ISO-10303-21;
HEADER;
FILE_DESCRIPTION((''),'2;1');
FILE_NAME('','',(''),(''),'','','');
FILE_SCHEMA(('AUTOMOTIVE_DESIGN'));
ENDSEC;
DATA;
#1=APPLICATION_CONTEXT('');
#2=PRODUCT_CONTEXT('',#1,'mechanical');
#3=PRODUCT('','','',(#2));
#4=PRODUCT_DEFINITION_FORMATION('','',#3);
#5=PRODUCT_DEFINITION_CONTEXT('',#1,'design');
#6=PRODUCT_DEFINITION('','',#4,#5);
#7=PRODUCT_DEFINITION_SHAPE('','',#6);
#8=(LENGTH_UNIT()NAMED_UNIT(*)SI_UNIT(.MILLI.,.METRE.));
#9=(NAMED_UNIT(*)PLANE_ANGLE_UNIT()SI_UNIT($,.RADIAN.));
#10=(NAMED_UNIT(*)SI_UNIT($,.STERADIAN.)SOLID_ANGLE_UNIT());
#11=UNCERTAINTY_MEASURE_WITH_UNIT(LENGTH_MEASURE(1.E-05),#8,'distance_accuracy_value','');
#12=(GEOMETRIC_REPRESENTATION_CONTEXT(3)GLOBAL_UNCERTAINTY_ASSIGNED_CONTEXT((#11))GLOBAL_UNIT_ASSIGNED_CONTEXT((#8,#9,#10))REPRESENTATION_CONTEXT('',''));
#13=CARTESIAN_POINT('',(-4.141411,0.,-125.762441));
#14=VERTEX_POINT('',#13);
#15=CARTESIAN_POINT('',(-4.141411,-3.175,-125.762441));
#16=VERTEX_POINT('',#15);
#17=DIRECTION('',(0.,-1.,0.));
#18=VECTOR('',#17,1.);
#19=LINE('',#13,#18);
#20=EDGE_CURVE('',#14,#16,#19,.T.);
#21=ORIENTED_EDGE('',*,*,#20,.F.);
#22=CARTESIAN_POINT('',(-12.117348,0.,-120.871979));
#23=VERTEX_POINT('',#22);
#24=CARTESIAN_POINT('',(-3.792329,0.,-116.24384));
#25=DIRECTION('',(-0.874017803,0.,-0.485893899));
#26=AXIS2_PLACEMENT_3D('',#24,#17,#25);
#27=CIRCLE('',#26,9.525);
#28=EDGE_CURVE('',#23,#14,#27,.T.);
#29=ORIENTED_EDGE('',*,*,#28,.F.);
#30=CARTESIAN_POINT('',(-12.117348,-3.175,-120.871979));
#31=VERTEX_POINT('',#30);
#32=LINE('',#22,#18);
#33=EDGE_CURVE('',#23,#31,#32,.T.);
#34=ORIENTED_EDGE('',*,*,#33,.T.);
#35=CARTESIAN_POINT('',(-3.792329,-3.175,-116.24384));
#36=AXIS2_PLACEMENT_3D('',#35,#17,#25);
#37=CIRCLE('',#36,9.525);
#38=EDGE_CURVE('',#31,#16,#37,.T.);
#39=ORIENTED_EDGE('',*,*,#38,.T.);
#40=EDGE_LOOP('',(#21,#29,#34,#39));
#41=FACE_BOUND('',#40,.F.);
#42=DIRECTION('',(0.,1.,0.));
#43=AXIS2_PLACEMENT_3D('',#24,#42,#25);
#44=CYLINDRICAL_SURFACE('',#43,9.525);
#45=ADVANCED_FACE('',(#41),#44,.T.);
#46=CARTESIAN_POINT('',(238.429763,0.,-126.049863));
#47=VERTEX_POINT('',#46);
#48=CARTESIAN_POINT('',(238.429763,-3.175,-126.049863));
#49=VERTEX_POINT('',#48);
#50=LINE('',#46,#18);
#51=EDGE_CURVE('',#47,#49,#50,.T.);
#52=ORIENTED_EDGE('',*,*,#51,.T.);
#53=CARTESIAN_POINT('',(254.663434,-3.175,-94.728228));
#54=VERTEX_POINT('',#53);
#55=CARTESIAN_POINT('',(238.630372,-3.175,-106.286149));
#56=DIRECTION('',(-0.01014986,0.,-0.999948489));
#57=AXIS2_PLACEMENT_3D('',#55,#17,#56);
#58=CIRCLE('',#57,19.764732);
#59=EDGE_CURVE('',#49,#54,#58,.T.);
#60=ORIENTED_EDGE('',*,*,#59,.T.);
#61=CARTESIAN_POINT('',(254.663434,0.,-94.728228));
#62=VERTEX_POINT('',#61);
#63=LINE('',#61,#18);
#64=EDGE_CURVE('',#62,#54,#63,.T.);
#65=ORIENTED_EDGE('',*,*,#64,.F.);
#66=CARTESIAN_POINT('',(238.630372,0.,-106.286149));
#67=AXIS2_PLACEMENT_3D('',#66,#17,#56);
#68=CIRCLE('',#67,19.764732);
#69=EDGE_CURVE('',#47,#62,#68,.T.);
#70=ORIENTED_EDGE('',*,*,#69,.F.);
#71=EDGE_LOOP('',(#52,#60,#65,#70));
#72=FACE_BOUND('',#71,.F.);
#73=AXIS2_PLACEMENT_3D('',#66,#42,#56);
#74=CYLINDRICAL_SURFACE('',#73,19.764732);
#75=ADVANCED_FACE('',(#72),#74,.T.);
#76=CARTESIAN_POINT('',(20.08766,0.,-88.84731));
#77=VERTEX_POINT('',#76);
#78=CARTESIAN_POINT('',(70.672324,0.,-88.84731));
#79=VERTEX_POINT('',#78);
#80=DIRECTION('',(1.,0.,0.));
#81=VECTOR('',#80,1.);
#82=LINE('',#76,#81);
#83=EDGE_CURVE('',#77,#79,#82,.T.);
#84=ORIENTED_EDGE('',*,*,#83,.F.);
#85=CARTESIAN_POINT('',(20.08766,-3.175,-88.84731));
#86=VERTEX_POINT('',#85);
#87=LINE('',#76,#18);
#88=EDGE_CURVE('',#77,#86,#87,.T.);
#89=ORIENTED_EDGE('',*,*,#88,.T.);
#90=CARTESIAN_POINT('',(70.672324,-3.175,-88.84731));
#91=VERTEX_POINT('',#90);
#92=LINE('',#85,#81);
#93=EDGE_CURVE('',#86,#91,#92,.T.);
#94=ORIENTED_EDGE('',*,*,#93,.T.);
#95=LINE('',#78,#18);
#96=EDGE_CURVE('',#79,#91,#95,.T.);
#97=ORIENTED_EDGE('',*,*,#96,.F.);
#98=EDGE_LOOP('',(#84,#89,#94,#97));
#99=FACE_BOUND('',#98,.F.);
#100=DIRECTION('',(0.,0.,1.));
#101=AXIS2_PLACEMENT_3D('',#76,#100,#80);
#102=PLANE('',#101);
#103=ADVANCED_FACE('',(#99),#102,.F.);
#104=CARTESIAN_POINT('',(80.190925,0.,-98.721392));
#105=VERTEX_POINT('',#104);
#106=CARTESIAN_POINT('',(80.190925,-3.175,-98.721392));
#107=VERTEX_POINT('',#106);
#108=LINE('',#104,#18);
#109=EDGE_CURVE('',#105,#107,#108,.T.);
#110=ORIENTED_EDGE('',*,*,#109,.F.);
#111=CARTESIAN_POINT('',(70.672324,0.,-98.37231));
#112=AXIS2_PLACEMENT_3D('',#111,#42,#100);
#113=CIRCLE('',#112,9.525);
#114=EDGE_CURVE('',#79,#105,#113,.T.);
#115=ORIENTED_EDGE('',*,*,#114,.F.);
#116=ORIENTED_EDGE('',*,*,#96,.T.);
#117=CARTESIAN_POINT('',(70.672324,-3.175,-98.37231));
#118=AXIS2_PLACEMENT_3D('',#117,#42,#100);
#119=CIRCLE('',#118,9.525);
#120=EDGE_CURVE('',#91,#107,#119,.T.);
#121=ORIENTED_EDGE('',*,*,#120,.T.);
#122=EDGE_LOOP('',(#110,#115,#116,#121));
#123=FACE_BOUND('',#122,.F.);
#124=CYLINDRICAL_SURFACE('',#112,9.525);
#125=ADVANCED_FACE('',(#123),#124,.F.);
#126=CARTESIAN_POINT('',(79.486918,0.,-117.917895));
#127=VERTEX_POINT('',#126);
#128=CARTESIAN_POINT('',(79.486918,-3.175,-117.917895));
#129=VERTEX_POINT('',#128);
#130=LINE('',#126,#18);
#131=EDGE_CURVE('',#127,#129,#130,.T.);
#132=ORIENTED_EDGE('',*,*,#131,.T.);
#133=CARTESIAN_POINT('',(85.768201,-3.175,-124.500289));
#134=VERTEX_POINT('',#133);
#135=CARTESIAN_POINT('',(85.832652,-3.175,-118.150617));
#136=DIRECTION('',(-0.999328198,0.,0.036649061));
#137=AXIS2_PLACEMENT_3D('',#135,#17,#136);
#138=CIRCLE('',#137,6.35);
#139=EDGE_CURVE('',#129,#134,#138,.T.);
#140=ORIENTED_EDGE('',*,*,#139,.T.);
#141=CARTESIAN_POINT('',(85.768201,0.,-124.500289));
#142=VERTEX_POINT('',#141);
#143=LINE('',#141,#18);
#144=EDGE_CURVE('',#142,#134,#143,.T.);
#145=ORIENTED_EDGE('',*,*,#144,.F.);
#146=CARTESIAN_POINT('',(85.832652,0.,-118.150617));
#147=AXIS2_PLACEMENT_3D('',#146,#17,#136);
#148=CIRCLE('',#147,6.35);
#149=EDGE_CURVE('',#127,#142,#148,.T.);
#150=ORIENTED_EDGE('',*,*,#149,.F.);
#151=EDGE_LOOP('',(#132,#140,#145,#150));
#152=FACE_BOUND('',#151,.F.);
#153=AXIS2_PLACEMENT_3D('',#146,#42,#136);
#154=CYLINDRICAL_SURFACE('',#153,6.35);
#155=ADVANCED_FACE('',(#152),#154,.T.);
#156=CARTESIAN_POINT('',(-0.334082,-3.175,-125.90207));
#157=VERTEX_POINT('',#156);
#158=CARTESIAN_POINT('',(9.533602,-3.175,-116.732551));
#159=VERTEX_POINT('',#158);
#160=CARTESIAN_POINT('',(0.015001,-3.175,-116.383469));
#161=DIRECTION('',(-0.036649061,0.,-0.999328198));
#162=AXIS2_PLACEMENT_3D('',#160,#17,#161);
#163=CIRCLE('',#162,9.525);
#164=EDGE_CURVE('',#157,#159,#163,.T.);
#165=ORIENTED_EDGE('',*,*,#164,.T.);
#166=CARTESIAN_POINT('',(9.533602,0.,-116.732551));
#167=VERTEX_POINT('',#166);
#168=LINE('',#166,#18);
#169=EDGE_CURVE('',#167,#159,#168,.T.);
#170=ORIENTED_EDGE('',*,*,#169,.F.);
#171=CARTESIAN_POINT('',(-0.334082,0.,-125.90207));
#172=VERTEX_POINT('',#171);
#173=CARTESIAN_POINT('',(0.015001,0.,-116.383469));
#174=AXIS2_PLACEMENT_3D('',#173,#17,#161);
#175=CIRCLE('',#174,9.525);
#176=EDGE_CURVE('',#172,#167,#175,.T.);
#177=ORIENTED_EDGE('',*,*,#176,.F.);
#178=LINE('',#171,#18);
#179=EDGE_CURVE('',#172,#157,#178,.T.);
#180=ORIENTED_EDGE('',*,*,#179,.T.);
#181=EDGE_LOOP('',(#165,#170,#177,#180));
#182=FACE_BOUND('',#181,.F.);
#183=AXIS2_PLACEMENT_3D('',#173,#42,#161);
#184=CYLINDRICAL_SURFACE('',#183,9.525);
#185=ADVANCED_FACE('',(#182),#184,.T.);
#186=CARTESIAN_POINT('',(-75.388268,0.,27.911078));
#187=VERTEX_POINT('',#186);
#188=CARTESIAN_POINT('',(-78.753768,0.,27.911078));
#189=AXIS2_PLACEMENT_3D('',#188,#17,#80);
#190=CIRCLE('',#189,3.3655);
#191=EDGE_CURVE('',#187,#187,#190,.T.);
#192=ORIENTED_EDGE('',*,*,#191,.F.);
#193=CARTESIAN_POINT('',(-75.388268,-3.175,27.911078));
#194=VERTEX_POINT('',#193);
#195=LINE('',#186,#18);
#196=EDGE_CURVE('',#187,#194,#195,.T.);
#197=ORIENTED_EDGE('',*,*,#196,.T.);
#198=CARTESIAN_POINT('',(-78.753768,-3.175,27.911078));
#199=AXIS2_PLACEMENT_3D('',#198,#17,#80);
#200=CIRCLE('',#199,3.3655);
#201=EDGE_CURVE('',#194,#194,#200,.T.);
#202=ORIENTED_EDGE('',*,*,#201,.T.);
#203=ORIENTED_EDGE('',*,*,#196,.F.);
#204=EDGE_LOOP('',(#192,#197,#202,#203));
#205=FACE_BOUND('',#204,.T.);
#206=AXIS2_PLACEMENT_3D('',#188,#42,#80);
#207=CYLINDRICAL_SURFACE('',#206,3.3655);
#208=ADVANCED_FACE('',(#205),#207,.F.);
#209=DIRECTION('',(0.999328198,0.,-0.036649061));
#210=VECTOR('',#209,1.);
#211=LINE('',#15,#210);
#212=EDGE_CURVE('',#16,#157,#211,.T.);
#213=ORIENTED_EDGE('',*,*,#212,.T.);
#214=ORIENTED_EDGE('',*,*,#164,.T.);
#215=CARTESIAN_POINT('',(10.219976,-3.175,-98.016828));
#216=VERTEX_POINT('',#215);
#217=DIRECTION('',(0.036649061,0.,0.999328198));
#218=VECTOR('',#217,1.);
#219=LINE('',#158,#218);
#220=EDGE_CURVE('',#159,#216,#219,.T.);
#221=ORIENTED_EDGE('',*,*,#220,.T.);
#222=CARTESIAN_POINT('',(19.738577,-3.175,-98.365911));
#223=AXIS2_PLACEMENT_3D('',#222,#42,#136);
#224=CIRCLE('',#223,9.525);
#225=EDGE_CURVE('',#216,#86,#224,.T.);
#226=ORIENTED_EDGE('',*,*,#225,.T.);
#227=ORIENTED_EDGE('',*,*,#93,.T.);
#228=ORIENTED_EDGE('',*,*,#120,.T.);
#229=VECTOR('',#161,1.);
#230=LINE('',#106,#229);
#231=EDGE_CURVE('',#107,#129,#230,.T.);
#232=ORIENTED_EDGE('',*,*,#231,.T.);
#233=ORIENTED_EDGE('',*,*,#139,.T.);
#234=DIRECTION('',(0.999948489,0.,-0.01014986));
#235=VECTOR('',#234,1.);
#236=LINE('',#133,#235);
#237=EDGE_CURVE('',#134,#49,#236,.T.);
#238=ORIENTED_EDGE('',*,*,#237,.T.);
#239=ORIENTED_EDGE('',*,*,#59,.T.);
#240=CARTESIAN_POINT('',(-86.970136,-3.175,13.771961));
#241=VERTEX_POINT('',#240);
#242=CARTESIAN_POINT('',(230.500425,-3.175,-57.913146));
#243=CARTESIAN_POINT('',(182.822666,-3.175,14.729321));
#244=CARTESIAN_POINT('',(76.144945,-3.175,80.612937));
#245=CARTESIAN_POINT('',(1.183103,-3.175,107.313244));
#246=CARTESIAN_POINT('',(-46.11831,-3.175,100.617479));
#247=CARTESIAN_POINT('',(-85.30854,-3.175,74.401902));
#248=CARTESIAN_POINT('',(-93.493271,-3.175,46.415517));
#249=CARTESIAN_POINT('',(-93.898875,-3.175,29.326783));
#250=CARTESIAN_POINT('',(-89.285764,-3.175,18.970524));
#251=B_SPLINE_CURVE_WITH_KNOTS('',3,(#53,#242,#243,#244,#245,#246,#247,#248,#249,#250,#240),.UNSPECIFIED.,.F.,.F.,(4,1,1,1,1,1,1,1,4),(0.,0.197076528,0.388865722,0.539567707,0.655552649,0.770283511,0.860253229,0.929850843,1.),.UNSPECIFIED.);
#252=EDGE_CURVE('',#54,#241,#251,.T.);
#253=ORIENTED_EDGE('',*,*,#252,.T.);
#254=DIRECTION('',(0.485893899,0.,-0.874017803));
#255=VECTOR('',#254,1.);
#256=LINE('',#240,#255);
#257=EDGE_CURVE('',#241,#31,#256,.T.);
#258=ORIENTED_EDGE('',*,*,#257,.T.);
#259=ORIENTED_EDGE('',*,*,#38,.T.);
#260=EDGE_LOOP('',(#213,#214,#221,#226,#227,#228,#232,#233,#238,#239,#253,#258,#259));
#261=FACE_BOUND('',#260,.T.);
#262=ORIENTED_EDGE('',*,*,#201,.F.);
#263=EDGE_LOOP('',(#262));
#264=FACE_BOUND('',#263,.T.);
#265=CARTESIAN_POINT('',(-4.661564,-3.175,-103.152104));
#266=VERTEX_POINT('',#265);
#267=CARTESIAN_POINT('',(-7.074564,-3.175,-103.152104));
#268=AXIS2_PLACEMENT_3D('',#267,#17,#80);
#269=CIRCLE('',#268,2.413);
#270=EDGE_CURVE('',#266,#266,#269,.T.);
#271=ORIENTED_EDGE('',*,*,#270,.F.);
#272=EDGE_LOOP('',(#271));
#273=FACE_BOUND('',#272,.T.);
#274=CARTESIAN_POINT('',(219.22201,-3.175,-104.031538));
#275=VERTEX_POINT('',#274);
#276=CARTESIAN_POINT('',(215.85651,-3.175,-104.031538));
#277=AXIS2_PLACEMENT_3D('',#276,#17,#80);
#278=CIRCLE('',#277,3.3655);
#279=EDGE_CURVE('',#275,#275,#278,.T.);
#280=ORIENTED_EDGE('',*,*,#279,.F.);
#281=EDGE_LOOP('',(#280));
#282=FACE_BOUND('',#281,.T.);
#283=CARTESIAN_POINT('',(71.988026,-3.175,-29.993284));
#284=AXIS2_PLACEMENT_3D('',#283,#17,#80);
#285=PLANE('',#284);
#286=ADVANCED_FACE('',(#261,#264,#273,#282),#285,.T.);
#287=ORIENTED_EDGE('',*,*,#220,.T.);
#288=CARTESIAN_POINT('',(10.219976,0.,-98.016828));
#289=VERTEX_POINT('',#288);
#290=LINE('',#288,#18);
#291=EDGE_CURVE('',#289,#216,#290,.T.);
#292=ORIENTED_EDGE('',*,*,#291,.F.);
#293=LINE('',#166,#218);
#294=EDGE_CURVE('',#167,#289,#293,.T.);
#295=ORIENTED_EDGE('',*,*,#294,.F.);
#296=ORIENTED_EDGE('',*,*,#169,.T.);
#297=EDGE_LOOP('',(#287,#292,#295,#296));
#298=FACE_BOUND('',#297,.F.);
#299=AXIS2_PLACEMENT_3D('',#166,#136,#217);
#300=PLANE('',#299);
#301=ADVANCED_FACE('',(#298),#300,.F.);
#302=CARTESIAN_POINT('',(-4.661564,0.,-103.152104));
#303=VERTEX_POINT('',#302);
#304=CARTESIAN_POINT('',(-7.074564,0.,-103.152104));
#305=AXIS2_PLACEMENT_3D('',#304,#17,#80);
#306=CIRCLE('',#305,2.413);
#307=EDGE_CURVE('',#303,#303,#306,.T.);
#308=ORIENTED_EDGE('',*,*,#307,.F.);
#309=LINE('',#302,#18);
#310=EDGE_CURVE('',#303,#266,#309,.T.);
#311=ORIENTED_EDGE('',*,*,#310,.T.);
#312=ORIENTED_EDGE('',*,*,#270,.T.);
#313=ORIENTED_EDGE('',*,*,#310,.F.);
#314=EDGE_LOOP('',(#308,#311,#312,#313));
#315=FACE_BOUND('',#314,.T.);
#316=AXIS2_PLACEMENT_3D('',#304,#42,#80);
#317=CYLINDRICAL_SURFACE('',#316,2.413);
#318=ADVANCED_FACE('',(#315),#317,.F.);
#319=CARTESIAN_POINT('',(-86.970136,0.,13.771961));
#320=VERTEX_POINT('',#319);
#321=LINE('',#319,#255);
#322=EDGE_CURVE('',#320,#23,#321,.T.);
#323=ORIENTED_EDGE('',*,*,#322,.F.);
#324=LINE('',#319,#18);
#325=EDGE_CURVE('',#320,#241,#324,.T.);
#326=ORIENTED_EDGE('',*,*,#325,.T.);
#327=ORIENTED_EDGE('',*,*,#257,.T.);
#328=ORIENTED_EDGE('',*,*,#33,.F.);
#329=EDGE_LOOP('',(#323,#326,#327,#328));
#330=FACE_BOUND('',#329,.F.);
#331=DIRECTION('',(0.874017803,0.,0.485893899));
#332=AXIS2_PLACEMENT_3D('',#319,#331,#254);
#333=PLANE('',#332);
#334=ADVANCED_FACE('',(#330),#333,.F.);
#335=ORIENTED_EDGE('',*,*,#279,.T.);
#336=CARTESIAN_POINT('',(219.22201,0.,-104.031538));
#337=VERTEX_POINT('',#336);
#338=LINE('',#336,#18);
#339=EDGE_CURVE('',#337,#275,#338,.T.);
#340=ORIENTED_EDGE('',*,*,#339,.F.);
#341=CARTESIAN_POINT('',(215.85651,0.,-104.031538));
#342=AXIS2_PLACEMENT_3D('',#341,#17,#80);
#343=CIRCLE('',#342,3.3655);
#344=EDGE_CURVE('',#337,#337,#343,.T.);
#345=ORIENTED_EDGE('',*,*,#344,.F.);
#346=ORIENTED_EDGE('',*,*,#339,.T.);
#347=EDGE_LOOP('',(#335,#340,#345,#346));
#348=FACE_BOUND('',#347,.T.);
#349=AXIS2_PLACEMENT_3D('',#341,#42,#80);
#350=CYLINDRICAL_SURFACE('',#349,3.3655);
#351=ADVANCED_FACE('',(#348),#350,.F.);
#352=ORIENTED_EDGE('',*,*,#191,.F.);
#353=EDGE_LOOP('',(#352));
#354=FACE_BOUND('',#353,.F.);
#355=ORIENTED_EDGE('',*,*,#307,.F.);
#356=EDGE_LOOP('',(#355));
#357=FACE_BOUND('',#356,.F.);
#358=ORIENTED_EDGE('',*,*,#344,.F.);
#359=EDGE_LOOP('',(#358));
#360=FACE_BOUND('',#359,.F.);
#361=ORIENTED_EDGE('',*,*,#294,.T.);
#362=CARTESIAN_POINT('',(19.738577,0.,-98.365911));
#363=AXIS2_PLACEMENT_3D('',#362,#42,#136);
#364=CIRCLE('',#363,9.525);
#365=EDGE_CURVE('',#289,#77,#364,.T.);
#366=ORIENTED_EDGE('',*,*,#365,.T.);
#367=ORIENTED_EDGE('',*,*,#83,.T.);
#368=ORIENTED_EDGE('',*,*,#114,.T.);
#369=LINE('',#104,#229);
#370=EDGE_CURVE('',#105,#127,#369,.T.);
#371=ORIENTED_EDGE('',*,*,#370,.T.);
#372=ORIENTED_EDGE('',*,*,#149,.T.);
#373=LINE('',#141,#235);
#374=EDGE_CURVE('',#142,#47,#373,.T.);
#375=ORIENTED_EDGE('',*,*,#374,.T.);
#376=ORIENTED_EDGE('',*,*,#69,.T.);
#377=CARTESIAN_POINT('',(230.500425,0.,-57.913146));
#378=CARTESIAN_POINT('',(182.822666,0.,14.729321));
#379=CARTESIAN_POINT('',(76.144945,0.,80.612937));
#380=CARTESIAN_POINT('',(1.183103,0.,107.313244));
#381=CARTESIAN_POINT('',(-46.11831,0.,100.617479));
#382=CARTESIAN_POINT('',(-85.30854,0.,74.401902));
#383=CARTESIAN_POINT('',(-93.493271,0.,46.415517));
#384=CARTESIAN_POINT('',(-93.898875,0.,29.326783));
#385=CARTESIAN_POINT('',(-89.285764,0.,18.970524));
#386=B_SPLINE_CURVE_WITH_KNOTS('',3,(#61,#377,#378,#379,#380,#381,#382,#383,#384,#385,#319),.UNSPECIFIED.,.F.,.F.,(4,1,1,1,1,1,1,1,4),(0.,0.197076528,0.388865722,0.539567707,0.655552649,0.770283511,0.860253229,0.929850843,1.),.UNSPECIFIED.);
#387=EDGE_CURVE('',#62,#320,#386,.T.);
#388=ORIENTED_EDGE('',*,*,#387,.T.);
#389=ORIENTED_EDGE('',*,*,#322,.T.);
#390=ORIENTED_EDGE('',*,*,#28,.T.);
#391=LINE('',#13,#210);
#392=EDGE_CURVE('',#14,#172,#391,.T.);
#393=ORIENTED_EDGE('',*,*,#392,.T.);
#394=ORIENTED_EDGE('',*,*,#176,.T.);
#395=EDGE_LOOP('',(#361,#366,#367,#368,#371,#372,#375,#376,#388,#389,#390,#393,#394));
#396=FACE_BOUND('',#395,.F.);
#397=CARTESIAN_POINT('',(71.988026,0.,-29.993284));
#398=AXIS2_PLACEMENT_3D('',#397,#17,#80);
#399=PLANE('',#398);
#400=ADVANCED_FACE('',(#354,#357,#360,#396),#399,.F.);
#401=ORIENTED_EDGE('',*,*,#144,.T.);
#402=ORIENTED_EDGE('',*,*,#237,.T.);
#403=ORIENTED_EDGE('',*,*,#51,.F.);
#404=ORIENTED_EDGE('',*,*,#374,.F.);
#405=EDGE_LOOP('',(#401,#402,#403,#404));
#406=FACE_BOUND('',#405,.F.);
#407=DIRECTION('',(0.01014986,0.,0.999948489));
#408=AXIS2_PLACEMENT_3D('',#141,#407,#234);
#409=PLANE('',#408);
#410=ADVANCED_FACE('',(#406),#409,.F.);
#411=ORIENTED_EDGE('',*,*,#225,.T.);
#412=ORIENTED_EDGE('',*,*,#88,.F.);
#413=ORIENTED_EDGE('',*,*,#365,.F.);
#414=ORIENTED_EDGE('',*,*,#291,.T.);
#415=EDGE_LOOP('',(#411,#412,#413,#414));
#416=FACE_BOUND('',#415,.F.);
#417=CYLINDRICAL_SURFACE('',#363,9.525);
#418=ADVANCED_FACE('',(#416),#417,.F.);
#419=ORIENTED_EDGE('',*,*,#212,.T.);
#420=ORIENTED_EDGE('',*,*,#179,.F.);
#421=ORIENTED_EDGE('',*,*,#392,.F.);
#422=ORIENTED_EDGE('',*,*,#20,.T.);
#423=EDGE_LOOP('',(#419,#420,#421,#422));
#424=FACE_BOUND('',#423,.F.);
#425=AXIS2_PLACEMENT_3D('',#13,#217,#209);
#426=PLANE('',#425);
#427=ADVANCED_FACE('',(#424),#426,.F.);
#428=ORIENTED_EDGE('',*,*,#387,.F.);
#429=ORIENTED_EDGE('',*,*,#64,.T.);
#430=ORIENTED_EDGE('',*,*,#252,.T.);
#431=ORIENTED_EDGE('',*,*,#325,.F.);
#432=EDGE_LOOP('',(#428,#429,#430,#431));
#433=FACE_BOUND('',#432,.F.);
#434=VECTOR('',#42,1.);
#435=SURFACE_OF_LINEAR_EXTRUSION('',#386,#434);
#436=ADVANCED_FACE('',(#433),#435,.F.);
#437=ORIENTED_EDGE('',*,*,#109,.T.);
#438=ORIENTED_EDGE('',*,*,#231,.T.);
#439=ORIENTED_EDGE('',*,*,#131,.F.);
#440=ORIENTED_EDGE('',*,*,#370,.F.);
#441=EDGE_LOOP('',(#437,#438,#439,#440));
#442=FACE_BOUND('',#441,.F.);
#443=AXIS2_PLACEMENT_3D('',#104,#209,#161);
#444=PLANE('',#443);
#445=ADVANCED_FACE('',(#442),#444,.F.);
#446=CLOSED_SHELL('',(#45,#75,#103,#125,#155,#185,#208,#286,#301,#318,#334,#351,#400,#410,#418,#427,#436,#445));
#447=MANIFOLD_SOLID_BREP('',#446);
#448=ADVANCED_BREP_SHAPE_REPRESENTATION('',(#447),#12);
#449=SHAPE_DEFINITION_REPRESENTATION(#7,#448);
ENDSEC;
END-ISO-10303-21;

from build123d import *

# Parameters (mm, degrees)
F0_R     = 2.413
F0_R_2   = 3.3655
F1_DEPTH = 3.175
F2_DEPTH = 3.175


with BuildPart() as f1:
    # F0 (on Front) → F1 (new body)
    with BuildSketch(Plane.XZ):
        with BuildLine():
            ThreePointArc((-12.1173483823, -120.8719793102), (-8.7712006458, -124.3639667878), (-4.1414111173, -125.7624410061))
            Line((-4.1414111173, -125.7624410061), (-0.3340817641, -125.9020698541))
            ThreePointArc((-0.3340817641, -125.9020698541), (6.4988294476, -123.3609746093), (9.5336016215, -116.7325510771))
            Line((9.5336016215, -116.7325510771), (10.2199763887, -98.0168283901))
            ThreePointArc((10.2199763887, -98.0168283901), (13.2547485626, -91.3884048578), (20.0876597743, -88.8473096131))
            Line((20.0876597743, -88.8473096131), (70.6723240059, -88.8473096131))
            ThreePointArc((70.6723240059, -88.8473096131), (77.5298247878, -91.7616887628), (80.1909250872, -98.7213919174))
            Line((80.1909250872, -98.7213919174), (79.486918323, -117.9178950481))
            ThreePointArc((79.486918323, -117.9178950481), (81.2386781492, -122.5344392077), (85.7682007663, -124.5002894885))
            Line((85.7682007663, -124.5002894885), (238.4297628047, -126.0498627876))
            ThreePointArc((238.4297628047, -126.0498627876), (256.1782449572, -115.3810255441), (254.6634338987, -94.7282278086))
            add(Edge.make_bspline(
                [(254.6634338987, -94.7282278086), (230.5004247724, -57.9131461563), (182.8226658329, 14.729320601), (76.1449452503, 80.6129367186), (1.1831030413, 107.3132441268), (-46.1183098942, 100.6174791728), (-85.3085401209, 74.4019023074), (-93.4932714436, 46.4155171866), (-93.8988751742, 29.3267825468), (-89.2857642099, 18.9705236347), (-86.9701359549, 13.7719606094)],
                knots=[0, 0, 0, 0, 0.1970765277, 0.3888657216, 0.539567707, 0.6555526493, 0.7702835112, 0.8602532289, 0.9298508428, 1, 1, 1, 1], degree=3))
            Line((-86.9701359549, 13.7719606094), (-12.1173483823, -120.8719793102))
        make_face()
        with Locations((-7.074563764, -103.1521037221)):
            Circle(F0_R, mode=Mode.SUBTRACT)
        with Locations((215.8565099837, -104.0315380095)):
            Circle(F0_R_2, mode=Mode.SUBTRACT)
        with Locations((-78.7537678534, 27.9110781685)):
            Circle(F0_R_2, mode=Mode.SUBTRACT)
    extrude(amount=F1_DEPTH)

    # F0 (on Front) → F2 (join)
    with BuildSketch(Plane.XZ):
        with BuildLine():
            ThreePointArc((-12.1173483823, -120.8719793102), (-8.7712006458, -124.3639667878), (-4.1414111173, -125.7624410061))
            Line((-4.1414111173, -125.7624410061), (-0.3340817641, -125.9020698541))
            ThreePointArc((-0.3340817641, -125.9020698541), (6.4988294476, -123.3609746093), (9.5336016215, -116.7325510771))
            Line((9.5336016215, -116.7325510771), (10.2199763887, -98.0168283901))
            ThreePointArc((10.2199763887, -98.0168283901), (13.2547485626, -91.3884048578), (20.0876597743, -88.8473096131))
            Line((20.0876597743, -88.8473096131), (70.6723240059, -88.8473096131))
            ThreePointArc((70.6723240059, -88.8473096131), (77.5298247878, -91.7616887628), (80.1909250872, -98.7213919174))
            Line((80.1909250872, -98.7213919174), (79.486918323, -117.9178950481))
            ThreePointArc((79.486918323, -117.9178950481), (81.2386781492, -122.5344392077), (85.7682007663, -124.5002894885))
            Line((85.7682007663, -124.5002894885), (238.4297628047, -126.0498627876))
            ThreePointArc((238.4297628047, -126.0498627876), (256.1782449572, -115.3810255441), (254.6634338987, -94.7282278086))
            add(Edge.make_bspline(
                [(254.6634338987, -94.7282278086), (230.5004247724, -57.9131461563), (182.8226658329, 14.729320601), (76.1449452503, 80.6129367186), (1.1831030413, 107.3132441268), (-46.1183098942, 100.6174791728), (-85.3085401209, 74.4019023074), (-93.4932714436, 46.4155171866), (-93.8988751742, 29.3267825468), (-89.2857642099, 18.9705236347), (-86.9701359549, 13.7719606094)],
                knots=[0, 0, 0, 0, 0.1970765277, 0.3888657216, 0.539567707, 0.6555526493, 0.7702835112, 0.8602532289, 0.9298508428, 1, 1, 1, 1], degree=3))
            Line((-86.9701359549, 13.7719606094), (-12.1173483823, -120.8719793102))
        make_face()
        with Locations((-7.074563764, -103.1521037221)):
            Circle(F0_R, mode=Mode.SUBTRACT)
        with Locations((215.8565099837, -104.0315380095)):
            Circle(F0_R_2, mode=Mode.SUBTRACT)
        with Locations((-78.7537678534, 27.9110781685)):
            Circle(F0_R_2, mode=Mode.SUBTRACT)
    extrude(amount=F2_DEPTH)


solid = f1.part
